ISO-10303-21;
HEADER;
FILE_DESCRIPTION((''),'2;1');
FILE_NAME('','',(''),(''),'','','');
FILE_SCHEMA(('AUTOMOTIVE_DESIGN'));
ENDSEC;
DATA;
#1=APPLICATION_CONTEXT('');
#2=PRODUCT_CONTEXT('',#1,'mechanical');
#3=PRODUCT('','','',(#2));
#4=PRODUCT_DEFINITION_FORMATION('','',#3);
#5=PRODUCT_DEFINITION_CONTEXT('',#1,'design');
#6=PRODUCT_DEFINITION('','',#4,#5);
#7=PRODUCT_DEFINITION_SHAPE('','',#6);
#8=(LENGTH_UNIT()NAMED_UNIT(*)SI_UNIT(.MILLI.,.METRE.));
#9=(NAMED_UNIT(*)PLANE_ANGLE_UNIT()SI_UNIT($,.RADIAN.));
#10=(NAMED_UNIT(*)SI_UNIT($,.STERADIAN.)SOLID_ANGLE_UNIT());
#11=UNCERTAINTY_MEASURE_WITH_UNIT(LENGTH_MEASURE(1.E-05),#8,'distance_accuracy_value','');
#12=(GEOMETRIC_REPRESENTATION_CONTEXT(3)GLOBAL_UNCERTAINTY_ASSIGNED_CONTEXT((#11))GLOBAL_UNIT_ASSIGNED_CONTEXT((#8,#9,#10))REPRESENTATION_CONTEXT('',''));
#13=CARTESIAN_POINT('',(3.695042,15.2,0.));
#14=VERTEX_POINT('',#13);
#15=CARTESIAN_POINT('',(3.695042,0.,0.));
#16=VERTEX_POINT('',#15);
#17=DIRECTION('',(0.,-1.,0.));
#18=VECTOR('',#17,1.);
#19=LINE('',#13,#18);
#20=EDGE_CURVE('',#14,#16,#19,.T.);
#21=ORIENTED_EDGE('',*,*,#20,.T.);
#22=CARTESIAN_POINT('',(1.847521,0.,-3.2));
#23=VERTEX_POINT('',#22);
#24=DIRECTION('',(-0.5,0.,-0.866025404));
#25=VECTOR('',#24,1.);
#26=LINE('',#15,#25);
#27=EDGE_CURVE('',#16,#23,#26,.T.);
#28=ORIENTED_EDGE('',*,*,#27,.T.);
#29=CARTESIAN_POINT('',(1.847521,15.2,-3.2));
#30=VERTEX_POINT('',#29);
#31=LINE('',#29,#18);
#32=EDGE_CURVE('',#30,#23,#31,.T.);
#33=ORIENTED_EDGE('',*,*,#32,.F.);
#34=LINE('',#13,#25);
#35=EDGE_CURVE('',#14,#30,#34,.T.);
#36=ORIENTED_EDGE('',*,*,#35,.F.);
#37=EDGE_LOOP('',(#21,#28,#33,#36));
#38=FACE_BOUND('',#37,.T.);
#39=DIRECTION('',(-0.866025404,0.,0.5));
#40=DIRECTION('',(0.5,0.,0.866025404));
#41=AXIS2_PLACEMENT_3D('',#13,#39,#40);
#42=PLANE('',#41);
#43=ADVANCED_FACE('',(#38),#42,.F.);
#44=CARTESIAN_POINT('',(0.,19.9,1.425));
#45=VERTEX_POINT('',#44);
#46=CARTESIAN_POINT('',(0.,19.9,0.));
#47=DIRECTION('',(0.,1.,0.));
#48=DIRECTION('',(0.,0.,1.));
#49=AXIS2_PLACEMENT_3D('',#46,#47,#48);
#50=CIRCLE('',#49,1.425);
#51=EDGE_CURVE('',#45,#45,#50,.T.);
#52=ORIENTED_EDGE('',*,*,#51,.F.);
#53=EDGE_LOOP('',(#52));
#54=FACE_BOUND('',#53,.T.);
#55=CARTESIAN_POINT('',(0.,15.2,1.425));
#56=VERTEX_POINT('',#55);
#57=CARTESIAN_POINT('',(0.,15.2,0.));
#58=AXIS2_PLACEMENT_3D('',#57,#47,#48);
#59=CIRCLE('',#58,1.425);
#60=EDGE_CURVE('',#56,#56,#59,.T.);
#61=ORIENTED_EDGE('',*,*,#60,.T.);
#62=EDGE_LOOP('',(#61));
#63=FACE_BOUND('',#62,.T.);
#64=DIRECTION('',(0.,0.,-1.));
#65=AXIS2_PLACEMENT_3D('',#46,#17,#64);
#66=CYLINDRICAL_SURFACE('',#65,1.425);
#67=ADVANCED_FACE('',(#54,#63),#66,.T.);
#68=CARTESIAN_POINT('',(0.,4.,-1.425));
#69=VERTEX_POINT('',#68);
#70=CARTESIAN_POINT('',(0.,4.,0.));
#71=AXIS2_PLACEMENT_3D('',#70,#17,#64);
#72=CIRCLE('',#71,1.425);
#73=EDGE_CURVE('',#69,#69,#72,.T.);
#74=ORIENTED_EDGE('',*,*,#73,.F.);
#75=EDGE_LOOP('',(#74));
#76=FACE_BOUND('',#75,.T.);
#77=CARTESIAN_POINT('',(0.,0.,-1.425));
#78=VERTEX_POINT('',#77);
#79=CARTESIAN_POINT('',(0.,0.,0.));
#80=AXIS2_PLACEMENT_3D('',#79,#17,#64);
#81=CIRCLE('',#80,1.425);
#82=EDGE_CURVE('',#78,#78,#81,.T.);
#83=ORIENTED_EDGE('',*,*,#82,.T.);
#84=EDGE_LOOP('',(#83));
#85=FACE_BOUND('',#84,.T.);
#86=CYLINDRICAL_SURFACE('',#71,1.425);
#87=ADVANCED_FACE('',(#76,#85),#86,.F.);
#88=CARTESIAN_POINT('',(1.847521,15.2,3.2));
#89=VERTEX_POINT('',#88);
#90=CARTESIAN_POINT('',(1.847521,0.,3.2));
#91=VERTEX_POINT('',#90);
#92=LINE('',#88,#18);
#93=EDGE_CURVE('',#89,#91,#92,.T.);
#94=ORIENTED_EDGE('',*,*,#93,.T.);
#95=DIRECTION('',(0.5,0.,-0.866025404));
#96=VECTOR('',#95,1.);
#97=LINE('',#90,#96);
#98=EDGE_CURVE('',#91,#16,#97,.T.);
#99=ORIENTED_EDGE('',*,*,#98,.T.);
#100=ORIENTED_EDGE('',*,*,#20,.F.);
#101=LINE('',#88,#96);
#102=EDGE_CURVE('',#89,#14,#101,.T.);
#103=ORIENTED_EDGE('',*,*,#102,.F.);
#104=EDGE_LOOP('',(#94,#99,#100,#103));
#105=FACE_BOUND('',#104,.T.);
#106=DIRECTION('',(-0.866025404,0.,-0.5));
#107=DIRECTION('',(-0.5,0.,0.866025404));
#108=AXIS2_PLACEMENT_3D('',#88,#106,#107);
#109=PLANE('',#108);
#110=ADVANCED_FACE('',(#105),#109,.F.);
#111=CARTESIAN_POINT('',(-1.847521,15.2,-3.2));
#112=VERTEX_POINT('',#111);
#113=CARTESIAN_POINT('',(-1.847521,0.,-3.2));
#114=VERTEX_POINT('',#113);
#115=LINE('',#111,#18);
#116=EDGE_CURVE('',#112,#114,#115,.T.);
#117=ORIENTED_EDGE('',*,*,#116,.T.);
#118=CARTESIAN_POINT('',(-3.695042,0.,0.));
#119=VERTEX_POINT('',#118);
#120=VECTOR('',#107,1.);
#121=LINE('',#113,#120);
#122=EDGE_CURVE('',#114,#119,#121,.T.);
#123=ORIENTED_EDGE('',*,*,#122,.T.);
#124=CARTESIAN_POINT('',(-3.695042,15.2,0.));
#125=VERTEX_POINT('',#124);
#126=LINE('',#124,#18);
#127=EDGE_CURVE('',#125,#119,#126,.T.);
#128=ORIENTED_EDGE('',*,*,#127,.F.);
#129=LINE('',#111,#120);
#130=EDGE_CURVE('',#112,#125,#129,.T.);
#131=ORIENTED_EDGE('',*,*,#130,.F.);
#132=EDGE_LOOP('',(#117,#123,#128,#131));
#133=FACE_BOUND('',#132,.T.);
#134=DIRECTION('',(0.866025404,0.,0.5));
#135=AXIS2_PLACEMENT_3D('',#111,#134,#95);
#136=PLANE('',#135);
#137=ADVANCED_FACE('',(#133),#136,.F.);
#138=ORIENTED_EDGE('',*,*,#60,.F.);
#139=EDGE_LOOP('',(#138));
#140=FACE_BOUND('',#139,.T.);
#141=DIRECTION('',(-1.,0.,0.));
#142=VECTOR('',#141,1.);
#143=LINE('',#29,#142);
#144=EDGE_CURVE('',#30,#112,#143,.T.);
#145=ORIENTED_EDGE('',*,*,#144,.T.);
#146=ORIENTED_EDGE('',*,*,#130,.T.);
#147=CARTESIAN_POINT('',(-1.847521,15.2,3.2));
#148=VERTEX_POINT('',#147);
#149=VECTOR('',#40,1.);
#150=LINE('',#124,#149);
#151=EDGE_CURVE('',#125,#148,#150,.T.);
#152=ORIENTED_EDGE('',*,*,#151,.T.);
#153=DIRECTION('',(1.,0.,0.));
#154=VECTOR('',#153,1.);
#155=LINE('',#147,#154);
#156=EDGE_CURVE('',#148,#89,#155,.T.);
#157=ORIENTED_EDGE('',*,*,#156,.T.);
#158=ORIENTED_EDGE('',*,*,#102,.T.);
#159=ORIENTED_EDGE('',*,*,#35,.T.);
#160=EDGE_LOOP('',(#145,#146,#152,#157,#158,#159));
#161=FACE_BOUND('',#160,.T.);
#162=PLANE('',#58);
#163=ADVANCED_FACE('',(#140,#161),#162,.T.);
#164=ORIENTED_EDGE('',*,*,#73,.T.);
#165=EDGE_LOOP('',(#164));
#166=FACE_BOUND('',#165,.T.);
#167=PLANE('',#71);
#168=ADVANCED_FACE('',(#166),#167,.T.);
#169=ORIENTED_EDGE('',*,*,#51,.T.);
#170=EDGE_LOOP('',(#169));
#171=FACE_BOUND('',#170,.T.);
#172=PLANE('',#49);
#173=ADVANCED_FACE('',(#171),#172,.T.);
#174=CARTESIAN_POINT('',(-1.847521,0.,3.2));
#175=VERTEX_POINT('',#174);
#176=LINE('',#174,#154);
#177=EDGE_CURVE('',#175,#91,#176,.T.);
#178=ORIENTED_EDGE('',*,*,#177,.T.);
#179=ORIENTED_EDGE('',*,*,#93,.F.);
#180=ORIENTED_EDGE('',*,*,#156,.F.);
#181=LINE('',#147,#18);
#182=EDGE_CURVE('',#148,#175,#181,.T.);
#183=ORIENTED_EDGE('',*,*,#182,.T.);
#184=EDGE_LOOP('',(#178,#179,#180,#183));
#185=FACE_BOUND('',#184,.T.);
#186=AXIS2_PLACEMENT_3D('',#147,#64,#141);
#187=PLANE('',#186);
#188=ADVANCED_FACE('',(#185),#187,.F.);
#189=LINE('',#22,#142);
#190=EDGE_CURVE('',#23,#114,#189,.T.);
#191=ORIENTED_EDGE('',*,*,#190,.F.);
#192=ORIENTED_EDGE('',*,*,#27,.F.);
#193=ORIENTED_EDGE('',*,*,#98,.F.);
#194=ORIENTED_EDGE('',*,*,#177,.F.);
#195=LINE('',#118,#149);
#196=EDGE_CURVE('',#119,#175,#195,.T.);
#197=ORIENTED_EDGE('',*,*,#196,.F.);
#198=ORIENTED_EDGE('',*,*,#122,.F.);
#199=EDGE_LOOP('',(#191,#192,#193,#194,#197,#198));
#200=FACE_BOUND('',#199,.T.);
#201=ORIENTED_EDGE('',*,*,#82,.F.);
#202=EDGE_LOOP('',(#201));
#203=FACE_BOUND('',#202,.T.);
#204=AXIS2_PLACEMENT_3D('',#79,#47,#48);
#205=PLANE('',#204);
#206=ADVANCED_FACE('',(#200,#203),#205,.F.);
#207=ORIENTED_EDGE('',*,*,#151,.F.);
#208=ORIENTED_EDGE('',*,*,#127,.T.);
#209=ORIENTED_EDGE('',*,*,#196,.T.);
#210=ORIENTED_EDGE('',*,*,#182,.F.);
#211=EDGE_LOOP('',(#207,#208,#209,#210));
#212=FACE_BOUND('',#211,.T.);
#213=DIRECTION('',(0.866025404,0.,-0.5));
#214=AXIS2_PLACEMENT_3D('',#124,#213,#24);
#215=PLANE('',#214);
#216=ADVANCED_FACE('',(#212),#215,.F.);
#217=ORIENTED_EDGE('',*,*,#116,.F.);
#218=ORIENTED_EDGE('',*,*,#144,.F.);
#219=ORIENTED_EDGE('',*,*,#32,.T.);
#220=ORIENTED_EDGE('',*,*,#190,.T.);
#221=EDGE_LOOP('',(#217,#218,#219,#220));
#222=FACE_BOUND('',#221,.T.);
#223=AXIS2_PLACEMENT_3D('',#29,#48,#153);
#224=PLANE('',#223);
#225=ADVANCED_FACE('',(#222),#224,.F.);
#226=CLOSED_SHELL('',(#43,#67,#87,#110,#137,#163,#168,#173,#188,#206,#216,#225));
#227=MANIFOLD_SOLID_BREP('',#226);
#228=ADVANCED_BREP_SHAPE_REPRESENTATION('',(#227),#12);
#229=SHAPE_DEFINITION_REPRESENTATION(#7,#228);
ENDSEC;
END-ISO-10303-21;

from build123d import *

# Parameters (mm, degrees)
BOSS_EXTRUDE1_DEPTH = 15.2
SKETCH2_R           = 1.425
BOSS_EXTRUDE2_DEPTH = 4.7
SKETCH3_R           = 1.425
CUT_EXTRUDE1_DEPTH  = 4


with BuildPart() as part:
    # Sketch1 → Boss-Extrude1 (new body)
    with BuildSketch(Plane(origin=(0, 0, 0), x_dir=(1, 0, 0), z_dir=(0, 1, 0))):
        Polygon((1.847520861, 3.2), (-1.847520861, 3.2), (-3.695041723, 0), (-1.847520861, -3.2), (1.847520861, -3.2), (3.695041723, 0), align=None)
    extrude(amount=BOSS_EXTRUDE1_DEPTH)

    # Sketch2 → Boss-Extrude2 (add)
    with BuildSketch(Plane(origin=(0, 15.2, 0), x_dir=(1, 0, 0), z_dir=(0, 1, 0))):
        with Locations(Location((0, 0, 0), (0, 0, 270))):
            Circle(SKETCH2_R)
    extrude(amount=BOSS_EXTRUDE2_DEPTH)

    # Sketch3 → Cut-Extrude1 (cut)
    with BuildSketch(Plane.XZ):
        with Locations(Location((0, 0, 0), (0, 0, 90))):
            Circle(SKETCH3_R)
    extrude(amount=-CUT_EXTRUDE1_DEPTH, mode=Mode.SUBTRACT)


solid = part.part
